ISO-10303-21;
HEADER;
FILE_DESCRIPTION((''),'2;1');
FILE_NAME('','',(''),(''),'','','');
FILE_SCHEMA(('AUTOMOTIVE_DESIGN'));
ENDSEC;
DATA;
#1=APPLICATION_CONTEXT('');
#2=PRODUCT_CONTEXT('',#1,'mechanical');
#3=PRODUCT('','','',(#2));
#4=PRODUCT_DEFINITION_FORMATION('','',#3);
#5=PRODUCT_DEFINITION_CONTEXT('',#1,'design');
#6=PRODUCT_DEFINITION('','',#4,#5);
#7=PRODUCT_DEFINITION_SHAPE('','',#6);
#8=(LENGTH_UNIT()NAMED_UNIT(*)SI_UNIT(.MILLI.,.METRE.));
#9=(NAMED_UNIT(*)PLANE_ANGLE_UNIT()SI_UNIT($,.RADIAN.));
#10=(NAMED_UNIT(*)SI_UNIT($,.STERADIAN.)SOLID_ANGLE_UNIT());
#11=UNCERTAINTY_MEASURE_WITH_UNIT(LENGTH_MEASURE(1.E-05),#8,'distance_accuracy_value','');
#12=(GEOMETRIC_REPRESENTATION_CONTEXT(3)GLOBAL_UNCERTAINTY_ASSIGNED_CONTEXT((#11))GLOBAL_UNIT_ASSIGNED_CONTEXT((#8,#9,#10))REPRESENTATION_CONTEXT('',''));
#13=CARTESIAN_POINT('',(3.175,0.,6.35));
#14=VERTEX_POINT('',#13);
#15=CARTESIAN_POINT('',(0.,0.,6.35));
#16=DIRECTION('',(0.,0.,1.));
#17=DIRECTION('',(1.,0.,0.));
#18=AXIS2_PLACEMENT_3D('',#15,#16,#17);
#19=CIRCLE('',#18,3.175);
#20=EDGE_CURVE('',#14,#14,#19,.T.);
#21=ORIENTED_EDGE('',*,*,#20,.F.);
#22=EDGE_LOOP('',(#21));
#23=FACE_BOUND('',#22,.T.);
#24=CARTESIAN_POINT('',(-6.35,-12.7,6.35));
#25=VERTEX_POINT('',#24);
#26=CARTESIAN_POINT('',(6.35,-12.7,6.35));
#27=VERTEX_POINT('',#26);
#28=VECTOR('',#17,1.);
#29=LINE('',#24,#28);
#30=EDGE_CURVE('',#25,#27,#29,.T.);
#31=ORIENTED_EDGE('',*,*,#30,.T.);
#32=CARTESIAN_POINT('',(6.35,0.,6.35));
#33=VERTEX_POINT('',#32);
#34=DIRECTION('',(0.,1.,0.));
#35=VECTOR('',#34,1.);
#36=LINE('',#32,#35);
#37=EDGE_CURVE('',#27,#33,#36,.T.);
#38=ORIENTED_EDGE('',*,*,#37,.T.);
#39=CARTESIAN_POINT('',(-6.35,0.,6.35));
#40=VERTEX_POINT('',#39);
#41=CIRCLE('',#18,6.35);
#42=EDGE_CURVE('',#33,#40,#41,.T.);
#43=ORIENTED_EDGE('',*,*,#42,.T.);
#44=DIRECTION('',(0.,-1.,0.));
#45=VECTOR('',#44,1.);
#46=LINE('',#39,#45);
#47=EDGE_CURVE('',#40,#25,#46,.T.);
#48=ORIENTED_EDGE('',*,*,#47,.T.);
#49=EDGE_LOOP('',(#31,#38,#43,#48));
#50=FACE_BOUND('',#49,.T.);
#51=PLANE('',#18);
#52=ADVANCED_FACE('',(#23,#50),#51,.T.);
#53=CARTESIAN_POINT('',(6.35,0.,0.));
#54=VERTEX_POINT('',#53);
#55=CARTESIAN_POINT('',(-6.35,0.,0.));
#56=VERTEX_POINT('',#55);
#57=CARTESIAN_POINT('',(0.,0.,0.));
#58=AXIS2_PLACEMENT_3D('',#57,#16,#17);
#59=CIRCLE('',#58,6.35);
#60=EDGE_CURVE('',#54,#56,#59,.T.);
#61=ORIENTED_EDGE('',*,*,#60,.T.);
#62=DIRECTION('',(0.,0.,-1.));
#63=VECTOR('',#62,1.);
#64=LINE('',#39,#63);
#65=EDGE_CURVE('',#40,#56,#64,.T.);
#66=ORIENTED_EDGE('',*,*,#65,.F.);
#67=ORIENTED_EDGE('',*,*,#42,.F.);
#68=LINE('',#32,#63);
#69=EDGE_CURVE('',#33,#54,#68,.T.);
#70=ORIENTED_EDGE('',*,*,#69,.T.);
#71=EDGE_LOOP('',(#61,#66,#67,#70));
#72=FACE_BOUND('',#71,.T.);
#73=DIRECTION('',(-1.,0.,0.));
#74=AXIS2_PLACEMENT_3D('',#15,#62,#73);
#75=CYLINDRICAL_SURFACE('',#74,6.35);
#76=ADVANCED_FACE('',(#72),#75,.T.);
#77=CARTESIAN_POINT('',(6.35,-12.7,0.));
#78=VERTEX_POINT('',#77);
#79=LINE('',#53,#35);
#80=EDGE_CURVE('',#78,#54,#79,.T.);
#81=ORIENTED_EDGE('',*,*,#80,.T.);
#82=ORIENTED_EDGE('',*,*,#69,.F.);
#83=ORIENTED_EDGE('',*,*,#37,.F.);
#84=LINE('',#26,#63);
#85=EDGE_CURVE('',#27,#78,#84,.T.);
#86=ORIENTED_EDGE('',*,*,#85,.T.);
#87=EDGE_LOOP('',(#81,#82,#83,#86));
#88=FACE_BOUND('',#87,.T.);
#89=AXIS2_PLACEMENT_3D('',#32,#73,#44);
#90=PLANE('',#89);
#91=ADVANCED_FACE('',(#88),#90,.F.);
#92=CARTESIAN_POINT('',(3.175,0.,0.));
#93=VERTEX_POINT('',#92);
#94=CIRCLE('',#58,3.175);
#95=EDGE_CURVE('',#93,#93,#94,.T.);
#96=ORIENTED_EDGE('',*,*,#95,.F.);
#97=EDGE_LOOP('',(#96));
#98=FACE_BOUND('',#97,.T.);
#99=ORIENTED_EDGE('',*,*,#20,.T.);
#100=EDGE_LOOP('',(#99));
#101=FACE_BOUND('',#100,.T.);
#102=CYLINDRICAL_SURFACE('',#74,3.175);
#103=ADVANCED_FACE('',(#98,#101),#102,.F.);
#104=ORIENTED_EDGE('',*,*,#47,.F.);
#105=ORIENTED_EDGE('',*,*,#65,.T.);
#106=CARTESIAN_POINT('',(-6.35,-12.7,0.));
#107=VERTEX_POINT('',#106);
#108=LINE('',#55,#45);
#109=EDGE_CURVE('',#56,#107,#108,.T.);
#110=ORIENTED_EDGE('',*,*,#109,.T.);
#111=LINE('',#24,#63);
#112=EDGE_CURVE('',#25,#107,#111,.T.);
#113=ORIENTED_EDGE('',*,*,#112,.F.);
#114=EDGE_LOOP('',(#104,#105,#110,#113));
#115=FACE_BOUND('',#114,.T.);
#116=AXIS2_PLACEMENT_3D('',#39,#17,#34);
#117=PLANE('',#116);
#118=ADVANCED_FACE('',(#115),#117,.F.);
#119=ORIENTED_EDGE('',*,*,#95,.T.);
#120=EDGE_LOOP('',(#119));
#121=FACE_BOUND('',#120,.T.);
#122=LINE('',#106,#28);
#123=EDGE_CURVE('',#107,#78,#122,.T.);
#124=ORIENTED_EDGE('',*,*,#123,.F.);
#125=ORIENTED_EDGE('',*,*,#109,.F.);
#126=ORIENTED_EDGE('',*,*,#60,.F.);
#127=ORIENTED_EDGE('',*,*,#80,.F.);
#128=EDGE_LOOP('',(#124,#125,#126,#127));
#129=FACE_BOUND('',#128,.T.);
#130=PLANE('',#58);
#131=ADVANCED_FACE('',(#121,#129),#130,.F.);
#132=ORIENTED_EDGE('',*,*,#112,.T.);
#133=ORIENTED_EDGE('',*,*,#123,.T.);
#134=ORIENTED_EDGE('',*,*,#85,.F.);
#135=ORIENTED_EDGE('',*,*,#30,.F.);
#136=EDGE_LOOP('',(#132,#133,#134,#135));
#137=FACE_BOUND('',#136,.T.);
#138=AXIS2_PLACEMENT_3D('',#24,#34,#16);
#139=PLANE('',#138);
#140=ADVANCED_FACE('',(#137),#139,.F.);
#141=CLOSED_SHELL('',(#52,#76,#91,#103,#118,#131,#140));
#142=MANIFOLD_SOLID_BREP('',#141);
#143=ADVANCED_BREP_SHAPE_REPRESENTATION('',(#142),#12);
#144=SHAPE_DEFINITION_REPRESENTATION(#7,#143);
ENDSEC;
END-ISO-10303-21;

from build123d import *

# Parameters (mm, degrees)
SKETCH1_R           = 3.175
BOSS_EXTRUDE1_DEPTH = 6.35


with BuildPart() as part:
    # Sketch1 → Boss-Extrude1 (new body)
    with BuildSketch(Plane.XY):
        with BuildLine():
            Line((-6.35, 0), (-6.35, -12.7))
            Line((-6.35, -12.7), (6.35, -12.7))
            Line((6.35, -12.7), (6.35, 0))
            ThreePointArc((6.35, 0), (0, 6.35), (-6.35, 0))
        make_face()
        Circle(SKETCH1_R, mode=Mode.SUBTRACT)
    extrude(amount=BOSS_EXTRUDE1_DEPTH)


solid = part.part
